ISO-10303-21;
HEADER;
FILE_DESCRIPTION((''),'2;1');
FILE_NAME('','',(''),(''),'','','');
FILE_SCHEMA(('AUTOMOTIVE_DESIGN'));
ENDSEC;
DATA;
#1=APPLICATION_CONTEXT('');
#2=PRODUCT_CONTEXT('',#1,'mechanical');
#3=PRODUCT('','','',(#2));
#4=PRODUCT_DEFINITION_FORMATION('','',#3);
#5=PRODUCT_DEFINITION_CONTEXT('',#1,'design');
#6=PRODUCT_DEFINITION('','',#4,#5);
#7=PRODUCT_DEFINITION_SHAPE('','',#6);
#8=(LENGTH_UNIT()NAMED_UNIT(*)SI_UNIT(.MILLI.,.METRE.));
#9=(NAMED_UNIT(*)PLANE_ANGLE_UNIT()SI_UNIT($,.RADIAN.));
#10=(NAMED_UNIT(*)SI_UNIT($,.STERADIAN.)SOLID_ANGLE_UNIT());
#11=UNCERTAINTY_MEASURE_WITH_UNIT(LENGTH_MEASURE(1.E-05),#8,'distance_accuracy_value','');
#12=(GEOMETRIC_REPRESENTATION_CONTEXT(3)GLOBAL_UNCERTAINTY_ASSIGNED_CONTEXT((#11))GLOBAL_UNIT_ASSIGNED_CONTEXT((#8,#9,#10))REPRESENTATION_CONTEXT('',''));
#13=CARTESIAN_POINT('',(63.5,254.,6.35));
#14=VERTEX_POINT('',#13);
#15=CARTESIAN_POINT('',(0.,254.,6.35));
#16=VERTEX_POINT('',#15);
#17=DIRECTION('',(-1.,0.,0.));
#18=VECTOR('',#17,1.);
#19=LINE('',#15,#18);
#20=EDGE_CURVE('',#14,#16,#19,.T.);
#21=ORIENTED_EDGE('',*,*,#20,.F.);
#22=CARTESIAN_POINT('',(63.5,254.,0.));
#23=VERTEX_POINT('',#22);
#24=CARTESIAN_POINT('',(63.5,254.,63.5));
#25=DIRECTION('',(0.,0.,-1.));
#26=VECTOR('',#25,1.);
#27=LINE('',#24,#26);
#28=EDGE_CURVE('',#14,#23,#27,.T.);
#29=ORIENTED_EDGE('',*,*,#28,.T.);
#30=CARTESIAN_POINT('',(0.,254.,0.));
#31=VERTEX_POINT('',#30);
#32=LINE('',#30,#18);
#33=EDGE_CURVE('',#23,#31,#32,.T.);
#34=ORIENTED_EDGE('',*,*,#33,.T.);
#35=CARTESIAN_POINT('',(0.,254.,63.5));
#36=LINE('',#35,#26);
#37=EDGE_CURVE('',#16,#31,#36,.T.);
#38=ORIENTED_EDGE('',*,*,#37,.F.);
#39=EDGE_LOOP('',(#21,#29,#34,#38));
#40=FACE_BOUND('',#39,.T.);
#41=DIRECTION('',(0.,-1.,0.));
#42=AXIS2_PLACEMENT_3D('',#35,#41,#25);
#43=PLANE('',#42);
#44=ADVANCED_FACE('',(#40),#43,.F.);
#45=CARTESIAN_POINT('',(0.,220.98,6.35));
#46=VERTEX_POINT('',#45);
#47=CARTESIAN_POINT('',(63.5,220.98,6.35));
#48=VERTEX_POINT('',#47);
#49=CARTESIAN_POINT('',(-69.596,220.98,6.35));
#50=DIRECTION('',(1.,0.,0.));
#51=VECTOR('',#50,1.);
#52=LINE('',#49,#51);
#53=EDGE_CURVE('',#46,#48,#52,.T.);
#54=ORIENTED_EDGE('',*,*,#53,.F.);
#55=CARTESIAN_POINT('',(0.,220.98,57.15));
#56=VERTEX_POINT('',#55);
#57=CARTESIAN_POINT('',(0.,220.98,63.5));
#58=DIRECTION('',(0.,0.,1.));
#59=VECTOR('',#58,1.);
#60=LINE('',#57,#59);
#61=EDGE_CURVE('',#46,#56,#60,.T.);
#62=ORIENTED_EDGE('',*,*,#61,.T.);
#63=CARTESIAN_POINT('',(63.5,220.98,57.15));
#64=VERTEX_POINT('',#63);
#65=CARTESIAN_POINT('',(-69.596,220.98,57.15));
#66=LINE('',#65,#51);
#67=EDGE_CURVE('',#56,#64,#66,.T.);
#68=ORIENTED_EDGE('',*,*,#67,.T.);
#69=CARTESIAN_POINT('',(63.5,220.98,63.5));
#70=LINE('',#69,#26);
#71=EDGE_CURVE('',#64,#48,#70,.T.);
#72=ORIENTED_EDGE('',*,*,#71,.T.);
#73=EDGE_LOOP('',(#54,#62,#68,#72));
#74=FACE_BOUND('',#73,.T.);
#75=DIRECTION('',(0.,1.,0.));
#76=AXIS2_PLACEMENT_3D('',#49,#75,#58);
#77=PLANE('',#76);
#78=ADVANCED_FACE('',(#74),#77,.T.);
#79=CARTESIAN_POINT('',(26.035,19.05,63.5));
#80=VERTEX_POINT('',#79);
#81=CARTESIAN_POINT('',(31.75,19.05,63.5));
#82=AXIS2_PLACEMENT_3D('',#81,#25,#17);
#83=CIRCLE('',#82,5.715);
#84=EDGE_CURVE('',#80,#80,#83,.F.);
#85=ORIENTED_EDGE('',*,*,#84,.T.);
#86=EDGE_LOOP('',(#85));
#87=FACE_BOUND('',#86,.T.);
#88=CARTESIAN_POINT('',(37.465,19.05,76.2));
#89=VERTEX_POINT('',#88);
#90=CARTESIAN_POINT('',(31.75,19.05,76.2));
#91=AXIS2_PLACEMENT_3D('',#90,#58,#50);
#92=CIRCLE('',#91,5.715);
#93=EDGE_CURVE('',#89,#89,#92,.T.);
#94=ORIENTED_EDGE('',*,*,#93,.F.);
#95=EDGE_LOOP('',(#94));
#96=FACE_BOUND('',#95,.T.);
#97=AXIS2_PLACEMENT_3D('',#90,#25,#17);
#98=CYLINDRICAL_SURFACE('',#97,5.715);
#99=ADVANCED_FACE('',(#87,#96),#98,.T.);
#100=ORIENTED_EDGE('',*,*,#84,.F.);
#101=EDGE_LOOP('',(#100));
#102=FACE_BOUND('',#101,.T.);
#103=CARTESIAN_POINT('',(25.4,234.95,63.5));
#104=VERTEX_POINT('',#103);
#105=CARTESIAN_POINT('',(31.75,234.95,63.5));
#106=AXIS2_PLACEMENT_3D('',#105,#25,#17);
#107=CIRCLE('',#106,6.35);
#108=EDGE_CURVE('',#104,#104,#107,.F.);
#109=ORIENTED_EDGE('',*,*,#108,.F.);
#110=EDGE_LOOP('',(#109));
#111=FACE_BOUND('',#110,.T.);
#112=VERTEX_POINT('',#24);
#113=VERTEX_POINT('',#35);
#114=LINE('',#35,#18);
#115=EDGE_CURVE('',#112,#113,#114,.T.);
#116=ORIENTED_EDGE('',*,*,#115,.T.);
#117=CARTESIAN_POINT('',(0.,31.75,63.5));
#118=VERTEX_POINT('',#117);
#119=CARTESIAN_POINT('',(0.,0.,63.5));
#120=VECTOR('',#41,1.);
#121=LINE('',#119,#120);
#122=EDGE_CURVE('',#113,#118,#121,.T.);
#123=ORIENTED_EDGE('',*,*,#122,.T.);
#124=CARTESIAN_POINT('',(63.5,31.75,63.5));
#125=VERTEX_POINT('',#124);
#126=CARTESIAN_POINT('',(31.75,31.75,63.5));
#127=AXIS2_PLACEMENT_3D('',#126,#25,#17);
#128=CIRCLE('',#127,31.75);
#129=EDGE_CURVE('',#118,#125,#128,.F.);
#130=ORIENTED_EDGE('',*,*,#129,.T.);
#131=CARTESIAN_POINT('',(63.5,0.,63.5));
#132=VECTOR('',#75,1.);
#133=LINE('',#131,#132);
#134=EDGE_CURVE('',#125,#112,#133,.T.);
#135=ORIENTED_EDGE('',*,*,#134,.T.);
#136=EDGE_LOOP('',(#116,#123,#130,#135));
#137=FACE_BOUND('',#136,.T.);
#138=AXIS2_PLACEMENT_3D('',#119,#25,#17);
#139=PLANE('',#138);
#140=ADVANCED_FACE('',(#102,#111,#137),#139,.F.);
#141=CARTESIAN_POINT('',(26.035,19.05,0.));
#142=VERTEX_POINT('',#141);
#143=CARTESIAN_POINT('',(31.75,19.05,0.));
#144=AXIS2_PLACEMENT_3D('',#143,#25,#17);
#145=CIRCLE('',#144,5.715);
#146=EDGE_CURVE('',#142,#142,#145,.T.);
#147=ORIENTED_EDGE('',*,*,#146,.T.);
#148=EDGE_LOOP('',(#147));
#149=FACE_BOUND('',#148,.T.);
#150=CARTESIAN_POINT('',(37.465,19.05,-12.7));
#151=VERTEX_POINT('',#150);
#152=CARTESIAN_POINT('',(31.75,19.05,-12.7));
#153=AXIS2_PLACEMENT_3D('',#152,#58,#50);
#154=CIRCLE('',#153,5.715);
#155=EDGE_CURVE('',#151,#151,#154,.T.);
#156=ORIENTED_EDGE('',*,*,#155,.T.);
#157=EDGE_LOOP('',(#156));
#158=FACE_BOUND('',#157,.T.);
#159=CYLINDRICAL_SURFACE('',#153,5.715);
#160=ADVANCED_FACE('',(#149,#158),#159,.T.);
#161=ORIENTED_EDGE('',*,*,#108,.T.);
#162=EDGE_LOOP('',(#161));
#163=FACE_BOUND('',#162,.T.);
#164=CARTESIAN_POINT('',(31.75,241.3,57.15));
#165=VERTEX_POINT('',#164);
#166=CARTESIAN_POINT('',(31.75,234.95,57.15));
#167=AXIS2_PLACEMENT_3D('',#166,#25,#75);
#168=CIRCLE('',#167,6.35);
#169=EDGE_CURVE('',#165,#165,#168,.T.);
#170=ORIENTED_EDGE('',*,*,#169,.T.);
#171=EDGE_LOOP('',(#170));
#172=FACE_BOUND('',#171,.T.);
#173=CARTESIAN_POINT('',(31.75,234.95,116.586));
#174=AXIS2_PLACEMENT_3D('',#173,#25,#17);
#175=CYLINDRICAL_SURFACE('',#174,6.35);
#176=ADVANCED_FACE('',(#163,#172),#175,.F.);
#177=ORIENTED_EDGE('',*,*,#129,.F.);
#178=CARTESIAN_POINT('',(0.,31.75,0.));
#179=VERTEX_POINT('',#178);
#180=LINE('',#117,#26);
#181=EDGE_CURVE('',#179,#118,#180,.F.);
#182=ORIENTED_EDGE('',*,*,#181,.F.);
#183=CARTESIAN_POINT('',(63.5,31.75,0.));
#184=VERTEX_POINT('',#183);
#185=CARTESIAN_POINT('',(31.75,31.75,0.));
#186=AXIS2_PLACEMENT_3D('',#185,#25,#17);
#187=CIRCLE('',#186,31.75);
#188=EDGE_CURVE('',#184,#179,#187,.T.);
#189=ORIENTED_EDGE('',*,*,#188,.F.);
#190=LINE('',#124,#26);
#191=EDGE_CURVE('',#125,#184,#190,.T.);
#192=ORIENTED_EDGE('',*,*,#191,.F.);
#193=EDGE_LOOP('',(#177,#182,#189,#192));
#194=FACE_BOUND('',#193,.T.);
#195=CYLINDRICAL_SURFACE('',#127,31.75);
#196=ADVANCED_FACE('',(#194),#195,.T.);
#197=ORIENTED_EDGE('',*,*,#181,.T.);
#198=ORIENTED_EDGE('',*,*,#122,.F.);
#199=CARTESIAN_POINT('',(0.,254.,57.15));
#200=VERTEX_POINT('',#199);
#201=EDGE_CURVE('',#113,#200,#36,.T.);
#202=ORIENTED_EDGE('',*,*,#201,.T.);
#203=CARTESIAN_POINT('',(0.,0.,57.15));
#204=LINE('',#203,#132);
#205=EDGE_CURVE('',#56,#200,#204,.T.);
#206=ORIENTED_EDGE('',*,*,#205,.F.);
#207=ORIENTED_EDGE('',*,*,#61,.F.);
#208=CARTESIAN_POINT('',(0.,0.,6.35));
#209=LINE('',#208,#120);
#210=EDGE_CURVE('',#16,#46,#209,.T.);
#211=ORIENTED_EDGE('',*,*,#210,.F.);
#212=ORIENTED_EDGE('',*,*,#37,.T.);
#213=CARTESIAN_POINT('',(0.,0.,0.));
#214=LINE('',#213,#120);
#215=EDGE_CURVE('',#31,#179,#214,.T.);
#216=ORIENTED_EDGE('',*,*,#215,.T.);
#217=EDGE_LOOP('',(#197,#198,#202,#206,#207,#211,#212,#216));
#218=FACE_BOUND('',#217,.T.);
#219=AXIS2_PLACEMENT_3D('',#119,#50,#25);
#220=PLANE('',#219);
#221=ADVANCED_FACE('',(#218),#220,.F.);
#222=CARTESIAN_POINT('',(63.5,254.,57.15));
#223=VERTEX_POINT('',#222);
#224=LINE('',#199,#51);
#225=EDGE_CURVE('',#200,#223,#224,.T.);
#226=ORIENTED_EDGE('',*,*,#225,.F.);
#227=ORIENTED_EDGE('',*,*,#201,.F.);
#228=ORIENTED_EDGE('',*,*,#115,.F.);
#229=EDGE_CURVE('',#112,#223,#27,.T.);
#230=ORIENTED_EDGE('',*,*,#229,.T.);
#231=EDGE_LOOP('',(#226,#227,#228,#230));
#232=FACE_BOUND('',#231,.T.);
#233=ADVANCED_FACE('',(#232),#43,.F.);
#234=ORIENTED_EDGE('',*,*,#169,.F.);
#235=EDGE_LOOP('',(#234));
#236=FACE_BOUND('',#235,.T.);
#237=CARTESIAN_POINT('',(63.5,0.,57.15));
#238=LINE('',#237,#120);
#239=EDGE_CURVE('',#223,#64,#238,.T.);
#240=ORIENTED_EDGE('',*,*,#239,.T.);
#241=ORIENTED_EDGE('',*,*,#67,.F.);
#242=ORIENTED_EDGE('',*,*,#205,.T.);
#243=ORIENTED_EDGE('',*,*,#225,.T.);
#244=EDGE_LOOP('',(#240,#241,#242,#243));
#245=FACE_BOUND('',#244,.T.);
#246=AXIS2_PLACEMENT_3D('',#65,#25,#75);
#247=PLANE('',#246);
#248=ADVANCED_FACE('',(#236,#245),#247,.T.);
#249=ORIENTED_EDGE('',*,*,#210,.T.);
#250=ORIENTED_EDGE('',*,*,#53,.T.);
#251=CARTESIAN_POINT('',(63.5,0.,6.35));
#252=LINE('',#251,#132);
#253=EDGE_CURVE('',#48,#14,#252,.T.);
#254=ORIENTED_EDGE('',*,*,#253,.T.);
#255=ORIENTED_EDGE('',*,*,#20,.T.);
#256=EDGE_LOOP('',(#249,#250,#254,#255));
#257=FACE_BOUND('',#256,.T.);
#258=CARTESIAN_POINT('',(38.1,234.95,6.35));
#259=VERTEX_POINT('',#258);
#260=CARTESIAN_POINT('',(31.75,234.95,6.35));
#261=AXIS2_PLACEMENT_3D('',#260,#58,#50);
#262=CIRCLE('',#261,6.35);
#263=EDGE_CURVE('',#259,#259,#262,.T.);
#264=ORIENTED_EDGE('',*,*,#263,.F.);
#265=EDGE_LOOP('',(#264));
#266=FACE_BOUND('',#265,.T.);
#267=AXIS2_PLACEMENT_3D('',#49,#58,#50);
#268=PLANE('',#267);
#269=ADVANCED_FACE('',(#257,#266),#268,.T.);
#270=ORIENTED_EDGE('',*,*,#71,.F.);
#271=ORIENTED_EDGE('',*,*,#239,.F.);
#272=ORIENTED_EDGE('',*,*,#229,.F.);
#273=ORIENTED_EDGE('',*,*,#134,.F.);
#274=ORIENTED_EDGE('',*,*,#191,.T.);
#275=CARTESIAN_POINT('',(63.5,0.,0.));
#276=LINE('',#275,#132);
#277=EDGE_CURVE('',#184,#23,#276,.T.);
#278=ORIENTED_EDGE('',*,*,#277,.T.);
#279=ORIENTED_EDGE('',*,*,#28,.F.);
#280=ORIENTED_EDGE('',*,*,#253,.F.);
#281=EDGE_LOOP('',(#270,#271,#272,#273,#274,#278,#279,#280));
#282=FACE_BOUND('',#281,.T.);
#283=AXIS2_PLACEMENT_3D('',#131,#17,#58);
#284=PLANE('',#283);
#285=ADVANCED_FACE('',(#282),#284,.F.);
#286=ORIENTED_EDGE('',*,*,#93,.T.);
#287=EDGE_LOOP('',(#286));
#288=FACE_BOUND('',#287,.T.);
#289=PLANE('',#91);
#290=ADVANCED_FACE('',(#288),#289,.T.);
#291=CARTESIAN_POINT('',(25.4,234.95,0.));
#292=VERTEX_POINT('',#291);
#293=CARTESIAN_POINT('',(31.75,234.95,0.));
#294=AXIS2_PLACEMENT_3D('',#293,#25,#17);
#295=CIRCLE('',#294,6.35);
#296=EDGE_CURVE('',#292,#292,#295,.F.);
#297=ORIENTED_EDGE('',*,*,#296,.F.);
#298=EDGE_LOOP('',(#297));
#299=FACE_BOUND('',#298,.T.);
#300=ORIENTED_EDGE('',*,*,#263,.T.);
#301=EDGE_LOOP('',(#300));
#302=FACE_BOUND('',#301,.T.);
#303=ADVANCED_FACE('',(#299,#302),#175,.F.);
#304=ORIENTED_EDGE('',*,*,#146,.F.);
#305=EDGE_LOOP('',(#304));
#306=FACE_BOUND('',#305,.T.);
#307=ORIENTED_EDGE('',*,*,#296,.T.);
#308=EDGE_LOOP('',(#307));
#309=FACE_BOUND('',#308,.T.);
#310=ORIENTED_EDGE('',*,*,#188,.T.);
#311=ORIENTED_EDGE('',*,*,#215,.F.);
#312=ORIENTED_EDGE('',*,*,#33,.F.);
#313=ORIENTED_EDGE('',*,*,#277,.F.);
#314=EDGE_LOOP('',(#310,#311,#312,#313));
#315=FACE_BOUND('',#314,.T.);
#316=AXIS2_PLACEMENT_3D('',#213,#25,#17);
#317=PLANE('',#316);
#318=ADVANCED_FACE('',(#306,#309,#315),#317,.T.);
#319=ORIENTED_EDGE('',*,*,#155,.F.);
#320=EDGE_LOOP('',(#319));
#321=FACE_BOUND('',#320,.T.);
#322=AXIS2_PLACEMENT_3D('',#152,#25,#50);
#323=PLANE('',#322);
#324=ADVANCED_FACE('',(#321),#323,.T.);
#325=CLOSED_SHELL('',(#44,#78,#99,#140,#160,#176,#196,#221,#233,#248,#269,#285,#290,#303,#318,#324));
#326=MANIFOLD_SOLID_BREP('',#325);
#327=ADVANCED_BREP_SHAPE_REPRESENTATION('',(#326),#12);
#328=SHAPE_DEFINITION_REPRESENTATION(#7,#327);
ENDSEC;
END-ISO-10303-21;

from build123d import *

# Parameters (mm, degrees)
SKETCH1_W               = 63.5
SKETCH1_H               = 254
BOSS_EXTRUDE1_DEPTH     = 63.5
FILLET1_RADIUS          = 31.75
FILLET1_LENGTH          = 63.5
SKETCH2_R               = 5.715
BOSS_EXTRUDE2_DEPTH     = 12.7
CUT_EXTRUDE1_DEPTH      = 84.836
CUT_EXTRUDE1_DEPTH_BACK = 60.96
SKETCH3_R               = 6.35
CUT_EXTRUDE2_DEPTH      = 69.596
CUT_EXTRUDE2_DEPTH_BACK = 117.602
SKETCH4_W               = 50.8
SKETCH4_H               = 54.314943323


with BuildPart() as part:
    # Sketch1 → Boss-Extrude1 (new body)
    with BuildSketch(Plane.XY):
        with Locations((31.75, 127)):
            Rectangle(SKETCH1_W, SKETCH1_H)
    extrude(amount=BOSS_EXTRUDE1_DEPTH)

    # Fillet1: full round fillet: the end face becomes a half cylinder, R = half its width
    fillet1_face = Plane((31.75, 0, 31.75), x_dir=(0, 0, 1), z_dir=(0, -1, 0))  # on the end face: x along it, z out of the body
    fillet1_slab = fillet1_face.offset(-FILLET1_RADIUS / 2) * Box(FILLET1_LENGTH, 2 * FILLET1_RADIUS, FILLET1_RADIUS, mode=Mode.PRIVATE)  # the body's end, R deep
    fillet1_round = Plane((31.75, 31.75, 31.75), x_dir=(0, -1, 0), z_dir=(0, 0, 1)) * Cylinder(FILLET1_RADIUS, FILLET1_LENGTH, mode=Mode.PRIVATE)  # its axis R under the face
    add(fillet1_slab - fillet1_round, mode=Mode.SUBTRACT)

    # Sketch2 → Boss-Extrude2 (add)
    with BuildSketch(Plane.XY.offset(63.5)):
        with Locations(Location((31.75, 19.05, 0), (0, 0, 180))):
            Circle(SKETCH2_R)
    boss_extrude2 = extrude(amount=BOSS_EXTRUDE2_DEPTH)

    # Mirror1: Boss-Extrude2 across plane
    add(boss_extrude2.mirror(Plane.XY.offset(31.75)))

    # Sketch3 → Cut-Extrude1 (cut, two sides: drawn at the far end of the back side and taken through both)
    with BuildSketch(Plane.XY.offset(31.75).offset(-CUT_EXTRUDE1_DEPTH_BACK)):
        with Locations(Location((31.75, 234.95, 0), (0, 0, 180))):
            Circle(SKETCH3_R)
    extrude(amount=CUT_EXTRUDE1_DEPTH + CUT_EXTRUDE1_DEPTH_BACK, mode=Mode.SUBTRACT)

    # Sketch4 → Cut-Extrude2 (cut, two sides: drawn at the far end of the back side and taken through both)
    with BuildSketch(Plane.ZY.offset(-CUT_EXTRUDE2_DEPTH_BACK)):
        with Locations((31.75, 248.137471662)):
            Rectangle(SKETCH4_W, SKETCH4_H)
    extrude(amount=CUT_EXTRUDE2_DEPTH + CUT_EXTRUDE2_DEPTH_BACK, mode=Mode.SUBTRACT)


solid = part.part
